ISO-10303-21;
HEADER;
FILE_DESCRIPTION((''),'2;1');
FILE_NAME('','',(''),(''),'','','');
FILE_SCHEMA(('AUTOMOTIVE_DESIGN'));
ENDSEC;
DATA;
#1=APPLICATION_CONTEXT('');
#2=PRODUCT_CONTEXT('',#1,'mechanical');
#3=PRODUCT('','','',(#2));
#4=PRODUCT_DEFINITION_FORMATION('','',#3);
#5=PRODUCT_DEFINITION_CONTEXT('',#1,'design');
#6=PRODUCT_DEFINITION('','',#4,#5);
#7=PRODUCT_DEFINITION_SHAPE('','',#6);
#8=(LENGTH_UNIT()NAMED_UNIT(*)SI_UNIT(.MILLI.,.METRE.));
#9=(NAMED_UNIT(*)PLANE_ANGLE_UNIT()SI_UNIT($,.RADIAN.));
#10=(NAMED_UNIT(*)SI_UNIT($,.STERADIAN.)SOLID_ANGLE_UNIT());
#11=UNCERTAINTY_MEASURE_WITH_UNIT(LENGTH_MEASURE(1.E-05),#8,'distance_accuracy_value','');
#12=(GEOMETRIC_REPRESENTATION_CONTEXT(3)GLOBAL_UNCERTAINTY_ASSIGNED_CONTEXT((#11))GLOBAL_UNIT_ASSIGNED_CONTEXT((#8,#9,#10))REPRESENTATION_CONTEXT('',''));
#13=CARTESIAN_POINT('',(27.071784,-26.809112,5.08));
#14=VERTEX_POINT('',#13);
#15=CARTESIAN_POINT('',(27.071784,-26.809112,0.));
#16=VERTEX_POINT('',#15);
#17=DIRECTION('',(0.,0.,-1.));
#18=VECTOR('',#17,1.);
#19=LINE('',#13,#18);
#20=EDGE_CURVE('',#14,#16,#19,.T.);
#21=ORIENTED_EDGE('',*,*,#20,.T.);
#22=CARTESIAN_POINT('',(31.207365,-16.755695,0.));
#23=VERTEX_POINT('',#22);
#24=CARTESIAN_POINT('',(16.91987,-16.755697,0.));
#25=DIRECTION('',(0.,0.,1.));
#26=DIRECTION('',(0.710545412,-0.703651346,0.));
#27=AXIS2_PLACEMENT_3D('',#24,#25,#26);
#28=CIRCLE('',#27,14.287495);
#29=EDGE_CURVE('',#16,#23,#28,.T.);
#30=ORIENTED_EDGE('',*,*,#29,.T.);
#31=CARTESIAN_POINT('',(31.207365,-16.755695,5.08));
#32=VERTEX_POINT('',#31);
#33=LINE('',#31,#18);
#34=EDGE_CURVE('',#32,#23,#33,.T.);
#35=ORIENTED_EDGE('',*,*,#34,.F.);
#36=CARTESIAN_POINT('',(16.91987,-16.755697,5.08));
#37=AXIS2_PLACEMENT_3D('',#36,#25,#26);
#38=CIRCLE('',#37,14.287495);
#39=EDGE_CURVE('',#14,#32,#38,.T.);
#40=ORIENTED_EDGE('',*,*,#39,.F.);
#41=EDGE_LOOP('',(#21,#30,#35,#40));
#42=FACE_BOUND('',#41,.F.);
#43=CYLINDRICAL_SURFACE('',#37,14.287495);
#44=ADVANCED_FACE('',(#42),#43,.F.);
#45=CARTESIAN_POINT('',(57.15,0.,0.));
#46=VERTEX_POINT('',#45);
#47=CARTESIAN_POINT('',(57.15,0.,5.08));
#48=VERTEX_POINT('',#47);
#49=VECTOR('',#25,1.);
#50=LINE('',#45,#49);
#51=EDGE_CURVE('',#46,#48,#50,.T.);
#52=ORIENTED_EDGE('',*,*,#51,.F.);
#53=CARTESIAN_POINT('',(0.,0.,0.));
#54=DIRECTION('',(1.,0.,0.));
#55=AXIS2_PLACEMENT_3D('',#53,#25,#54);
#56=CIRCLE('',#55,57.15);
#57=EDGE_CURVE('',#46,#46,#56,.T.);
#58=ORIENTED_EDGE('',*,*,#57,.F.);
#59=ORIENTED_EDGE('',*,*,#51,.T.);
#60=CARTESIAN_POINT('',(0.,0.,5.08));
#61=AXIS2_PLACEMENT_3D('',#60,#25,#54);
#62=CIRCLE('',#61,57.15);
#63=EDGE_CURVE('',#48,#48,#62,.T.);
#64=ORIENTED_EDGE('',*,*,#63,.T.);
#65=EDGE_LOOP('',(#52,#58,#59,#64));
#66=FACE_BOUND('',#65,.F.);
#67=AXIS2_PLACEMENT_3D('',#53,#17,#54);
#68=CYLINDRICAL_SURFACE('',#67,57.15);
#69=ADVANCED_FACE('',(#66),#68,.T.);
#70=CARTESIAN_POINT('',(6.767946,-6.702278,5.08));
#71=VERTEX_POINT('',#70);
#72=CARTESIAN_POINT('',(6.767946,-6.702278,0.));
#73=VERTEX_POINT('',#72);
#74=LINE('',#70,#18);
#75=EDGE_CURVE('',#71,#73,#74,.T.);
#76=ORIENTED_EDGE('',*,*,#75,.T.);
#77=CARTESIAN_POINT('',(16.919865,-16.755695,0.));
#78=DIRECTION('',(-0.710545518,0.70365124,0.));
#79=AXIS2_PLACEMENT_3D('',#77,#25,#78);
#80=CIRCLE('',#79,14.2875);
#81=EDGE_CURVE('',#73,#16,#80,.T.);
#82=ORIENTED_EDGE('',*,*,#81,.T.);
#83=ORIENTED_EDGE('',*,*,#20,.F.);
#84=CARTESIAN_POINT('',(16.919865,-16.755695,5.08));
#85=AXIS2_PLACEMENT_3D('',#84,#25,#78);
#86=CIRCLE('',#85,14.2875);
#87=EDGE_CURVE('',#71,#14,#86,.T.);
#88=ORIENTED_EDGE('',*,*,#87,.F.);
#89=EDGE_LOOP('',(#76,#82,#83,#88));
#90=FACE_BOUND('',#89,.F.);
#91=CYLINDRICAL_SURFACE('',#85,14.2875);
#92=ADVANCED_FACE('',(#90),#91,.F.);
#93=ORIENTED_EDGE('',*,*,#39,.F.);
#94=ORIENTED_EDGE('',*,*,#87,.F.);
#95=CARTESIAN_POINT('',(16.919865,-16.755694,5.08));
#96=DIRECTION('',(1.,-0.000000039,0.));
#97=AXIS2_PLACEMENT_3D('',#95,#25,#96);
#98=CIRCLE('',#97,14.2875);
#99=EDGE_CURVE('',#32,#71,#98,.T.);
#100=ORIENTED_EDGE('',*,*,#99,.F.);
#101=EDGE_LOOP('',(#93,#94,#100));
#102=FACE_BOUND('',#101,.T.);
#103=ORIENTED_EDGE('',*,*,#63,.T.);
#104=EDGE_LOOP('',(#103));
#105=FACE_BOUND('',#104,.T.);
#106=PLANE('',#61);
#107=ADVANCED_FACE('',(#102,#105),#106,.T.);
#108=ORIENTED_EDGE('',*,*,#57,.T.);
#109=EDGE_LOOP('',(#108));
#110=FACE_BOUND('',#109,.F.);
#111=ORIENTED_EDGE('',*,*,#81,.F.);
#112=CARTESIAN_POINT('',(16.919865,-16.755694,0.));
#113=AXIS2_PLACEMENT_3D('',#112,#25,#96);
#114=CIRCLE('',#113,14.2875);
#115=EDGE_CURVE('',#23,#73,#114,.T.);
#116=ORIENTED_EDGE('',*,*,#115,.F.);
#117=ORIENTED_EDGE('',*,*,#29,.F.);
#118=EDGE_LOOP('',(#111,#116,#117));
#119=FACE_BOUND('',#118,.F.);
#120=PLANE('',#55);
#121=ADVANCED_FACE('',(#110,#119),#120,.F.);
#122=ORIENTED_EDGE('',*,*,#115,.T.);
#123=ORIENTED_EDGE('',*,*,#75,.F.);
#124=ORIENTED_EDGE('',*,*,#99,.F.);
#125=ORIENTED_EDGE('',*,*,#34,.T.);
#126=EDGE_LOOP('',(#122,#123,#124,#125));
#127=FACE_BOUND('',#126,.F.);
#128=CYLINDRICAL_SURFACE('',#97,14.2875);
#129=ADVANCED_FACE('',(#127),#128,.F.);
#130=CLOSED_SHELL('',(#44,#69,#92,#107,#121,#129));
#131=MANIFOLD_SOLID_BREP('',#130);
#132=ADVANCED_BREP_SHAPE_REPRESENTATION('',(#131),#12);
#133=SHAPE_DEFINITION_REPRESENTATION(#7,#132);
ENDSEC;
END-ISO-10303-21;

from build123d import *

# Parameters (mm, degrees)
F0_R     = 57.15
F1_DEPTH = 5.08
F3_DEPTH = 6.35


with BuildPart() as f1:
    # F0 (on Top) → F1 (new body)
    with BuildSketch(Plane.XY):
        Circle(F0_R)
    extrude(amount=F1_DEPTH)

    # F2 (on face) → F3 (cut)
    with BuildSketch(Plane.XY.offset(5.08)):
        with BuildLine():
            ThreePointArc((31.207365, -16.755695), (22.355264, -3.542478), (6.767946, -6.702278))
            Line((6.767946, -6.702278), (16.919865, -16.755695))
            Line((16.919865, -16.755695), (27.071784, -26.809112))
            ThreePointArc((27.071784, -26.809112), (30.133082, -22.191094), (31.207365, -16.755695))
        make_face()
        with BuildLine():
            Line((16.919865, -16.755695), (6.767946, -6.702278))
            ThreePointArc((6.767946, -6.702278), (6.866448, -26.907614), (27.071784, -26.809112))
            Line((27.071784, -26.809112), (16.919865, -16.755695))
        make_face()
    extrude(amount=-F3_DEPTH, mode=Mode.SUBTRACT)


solid = f1.part
